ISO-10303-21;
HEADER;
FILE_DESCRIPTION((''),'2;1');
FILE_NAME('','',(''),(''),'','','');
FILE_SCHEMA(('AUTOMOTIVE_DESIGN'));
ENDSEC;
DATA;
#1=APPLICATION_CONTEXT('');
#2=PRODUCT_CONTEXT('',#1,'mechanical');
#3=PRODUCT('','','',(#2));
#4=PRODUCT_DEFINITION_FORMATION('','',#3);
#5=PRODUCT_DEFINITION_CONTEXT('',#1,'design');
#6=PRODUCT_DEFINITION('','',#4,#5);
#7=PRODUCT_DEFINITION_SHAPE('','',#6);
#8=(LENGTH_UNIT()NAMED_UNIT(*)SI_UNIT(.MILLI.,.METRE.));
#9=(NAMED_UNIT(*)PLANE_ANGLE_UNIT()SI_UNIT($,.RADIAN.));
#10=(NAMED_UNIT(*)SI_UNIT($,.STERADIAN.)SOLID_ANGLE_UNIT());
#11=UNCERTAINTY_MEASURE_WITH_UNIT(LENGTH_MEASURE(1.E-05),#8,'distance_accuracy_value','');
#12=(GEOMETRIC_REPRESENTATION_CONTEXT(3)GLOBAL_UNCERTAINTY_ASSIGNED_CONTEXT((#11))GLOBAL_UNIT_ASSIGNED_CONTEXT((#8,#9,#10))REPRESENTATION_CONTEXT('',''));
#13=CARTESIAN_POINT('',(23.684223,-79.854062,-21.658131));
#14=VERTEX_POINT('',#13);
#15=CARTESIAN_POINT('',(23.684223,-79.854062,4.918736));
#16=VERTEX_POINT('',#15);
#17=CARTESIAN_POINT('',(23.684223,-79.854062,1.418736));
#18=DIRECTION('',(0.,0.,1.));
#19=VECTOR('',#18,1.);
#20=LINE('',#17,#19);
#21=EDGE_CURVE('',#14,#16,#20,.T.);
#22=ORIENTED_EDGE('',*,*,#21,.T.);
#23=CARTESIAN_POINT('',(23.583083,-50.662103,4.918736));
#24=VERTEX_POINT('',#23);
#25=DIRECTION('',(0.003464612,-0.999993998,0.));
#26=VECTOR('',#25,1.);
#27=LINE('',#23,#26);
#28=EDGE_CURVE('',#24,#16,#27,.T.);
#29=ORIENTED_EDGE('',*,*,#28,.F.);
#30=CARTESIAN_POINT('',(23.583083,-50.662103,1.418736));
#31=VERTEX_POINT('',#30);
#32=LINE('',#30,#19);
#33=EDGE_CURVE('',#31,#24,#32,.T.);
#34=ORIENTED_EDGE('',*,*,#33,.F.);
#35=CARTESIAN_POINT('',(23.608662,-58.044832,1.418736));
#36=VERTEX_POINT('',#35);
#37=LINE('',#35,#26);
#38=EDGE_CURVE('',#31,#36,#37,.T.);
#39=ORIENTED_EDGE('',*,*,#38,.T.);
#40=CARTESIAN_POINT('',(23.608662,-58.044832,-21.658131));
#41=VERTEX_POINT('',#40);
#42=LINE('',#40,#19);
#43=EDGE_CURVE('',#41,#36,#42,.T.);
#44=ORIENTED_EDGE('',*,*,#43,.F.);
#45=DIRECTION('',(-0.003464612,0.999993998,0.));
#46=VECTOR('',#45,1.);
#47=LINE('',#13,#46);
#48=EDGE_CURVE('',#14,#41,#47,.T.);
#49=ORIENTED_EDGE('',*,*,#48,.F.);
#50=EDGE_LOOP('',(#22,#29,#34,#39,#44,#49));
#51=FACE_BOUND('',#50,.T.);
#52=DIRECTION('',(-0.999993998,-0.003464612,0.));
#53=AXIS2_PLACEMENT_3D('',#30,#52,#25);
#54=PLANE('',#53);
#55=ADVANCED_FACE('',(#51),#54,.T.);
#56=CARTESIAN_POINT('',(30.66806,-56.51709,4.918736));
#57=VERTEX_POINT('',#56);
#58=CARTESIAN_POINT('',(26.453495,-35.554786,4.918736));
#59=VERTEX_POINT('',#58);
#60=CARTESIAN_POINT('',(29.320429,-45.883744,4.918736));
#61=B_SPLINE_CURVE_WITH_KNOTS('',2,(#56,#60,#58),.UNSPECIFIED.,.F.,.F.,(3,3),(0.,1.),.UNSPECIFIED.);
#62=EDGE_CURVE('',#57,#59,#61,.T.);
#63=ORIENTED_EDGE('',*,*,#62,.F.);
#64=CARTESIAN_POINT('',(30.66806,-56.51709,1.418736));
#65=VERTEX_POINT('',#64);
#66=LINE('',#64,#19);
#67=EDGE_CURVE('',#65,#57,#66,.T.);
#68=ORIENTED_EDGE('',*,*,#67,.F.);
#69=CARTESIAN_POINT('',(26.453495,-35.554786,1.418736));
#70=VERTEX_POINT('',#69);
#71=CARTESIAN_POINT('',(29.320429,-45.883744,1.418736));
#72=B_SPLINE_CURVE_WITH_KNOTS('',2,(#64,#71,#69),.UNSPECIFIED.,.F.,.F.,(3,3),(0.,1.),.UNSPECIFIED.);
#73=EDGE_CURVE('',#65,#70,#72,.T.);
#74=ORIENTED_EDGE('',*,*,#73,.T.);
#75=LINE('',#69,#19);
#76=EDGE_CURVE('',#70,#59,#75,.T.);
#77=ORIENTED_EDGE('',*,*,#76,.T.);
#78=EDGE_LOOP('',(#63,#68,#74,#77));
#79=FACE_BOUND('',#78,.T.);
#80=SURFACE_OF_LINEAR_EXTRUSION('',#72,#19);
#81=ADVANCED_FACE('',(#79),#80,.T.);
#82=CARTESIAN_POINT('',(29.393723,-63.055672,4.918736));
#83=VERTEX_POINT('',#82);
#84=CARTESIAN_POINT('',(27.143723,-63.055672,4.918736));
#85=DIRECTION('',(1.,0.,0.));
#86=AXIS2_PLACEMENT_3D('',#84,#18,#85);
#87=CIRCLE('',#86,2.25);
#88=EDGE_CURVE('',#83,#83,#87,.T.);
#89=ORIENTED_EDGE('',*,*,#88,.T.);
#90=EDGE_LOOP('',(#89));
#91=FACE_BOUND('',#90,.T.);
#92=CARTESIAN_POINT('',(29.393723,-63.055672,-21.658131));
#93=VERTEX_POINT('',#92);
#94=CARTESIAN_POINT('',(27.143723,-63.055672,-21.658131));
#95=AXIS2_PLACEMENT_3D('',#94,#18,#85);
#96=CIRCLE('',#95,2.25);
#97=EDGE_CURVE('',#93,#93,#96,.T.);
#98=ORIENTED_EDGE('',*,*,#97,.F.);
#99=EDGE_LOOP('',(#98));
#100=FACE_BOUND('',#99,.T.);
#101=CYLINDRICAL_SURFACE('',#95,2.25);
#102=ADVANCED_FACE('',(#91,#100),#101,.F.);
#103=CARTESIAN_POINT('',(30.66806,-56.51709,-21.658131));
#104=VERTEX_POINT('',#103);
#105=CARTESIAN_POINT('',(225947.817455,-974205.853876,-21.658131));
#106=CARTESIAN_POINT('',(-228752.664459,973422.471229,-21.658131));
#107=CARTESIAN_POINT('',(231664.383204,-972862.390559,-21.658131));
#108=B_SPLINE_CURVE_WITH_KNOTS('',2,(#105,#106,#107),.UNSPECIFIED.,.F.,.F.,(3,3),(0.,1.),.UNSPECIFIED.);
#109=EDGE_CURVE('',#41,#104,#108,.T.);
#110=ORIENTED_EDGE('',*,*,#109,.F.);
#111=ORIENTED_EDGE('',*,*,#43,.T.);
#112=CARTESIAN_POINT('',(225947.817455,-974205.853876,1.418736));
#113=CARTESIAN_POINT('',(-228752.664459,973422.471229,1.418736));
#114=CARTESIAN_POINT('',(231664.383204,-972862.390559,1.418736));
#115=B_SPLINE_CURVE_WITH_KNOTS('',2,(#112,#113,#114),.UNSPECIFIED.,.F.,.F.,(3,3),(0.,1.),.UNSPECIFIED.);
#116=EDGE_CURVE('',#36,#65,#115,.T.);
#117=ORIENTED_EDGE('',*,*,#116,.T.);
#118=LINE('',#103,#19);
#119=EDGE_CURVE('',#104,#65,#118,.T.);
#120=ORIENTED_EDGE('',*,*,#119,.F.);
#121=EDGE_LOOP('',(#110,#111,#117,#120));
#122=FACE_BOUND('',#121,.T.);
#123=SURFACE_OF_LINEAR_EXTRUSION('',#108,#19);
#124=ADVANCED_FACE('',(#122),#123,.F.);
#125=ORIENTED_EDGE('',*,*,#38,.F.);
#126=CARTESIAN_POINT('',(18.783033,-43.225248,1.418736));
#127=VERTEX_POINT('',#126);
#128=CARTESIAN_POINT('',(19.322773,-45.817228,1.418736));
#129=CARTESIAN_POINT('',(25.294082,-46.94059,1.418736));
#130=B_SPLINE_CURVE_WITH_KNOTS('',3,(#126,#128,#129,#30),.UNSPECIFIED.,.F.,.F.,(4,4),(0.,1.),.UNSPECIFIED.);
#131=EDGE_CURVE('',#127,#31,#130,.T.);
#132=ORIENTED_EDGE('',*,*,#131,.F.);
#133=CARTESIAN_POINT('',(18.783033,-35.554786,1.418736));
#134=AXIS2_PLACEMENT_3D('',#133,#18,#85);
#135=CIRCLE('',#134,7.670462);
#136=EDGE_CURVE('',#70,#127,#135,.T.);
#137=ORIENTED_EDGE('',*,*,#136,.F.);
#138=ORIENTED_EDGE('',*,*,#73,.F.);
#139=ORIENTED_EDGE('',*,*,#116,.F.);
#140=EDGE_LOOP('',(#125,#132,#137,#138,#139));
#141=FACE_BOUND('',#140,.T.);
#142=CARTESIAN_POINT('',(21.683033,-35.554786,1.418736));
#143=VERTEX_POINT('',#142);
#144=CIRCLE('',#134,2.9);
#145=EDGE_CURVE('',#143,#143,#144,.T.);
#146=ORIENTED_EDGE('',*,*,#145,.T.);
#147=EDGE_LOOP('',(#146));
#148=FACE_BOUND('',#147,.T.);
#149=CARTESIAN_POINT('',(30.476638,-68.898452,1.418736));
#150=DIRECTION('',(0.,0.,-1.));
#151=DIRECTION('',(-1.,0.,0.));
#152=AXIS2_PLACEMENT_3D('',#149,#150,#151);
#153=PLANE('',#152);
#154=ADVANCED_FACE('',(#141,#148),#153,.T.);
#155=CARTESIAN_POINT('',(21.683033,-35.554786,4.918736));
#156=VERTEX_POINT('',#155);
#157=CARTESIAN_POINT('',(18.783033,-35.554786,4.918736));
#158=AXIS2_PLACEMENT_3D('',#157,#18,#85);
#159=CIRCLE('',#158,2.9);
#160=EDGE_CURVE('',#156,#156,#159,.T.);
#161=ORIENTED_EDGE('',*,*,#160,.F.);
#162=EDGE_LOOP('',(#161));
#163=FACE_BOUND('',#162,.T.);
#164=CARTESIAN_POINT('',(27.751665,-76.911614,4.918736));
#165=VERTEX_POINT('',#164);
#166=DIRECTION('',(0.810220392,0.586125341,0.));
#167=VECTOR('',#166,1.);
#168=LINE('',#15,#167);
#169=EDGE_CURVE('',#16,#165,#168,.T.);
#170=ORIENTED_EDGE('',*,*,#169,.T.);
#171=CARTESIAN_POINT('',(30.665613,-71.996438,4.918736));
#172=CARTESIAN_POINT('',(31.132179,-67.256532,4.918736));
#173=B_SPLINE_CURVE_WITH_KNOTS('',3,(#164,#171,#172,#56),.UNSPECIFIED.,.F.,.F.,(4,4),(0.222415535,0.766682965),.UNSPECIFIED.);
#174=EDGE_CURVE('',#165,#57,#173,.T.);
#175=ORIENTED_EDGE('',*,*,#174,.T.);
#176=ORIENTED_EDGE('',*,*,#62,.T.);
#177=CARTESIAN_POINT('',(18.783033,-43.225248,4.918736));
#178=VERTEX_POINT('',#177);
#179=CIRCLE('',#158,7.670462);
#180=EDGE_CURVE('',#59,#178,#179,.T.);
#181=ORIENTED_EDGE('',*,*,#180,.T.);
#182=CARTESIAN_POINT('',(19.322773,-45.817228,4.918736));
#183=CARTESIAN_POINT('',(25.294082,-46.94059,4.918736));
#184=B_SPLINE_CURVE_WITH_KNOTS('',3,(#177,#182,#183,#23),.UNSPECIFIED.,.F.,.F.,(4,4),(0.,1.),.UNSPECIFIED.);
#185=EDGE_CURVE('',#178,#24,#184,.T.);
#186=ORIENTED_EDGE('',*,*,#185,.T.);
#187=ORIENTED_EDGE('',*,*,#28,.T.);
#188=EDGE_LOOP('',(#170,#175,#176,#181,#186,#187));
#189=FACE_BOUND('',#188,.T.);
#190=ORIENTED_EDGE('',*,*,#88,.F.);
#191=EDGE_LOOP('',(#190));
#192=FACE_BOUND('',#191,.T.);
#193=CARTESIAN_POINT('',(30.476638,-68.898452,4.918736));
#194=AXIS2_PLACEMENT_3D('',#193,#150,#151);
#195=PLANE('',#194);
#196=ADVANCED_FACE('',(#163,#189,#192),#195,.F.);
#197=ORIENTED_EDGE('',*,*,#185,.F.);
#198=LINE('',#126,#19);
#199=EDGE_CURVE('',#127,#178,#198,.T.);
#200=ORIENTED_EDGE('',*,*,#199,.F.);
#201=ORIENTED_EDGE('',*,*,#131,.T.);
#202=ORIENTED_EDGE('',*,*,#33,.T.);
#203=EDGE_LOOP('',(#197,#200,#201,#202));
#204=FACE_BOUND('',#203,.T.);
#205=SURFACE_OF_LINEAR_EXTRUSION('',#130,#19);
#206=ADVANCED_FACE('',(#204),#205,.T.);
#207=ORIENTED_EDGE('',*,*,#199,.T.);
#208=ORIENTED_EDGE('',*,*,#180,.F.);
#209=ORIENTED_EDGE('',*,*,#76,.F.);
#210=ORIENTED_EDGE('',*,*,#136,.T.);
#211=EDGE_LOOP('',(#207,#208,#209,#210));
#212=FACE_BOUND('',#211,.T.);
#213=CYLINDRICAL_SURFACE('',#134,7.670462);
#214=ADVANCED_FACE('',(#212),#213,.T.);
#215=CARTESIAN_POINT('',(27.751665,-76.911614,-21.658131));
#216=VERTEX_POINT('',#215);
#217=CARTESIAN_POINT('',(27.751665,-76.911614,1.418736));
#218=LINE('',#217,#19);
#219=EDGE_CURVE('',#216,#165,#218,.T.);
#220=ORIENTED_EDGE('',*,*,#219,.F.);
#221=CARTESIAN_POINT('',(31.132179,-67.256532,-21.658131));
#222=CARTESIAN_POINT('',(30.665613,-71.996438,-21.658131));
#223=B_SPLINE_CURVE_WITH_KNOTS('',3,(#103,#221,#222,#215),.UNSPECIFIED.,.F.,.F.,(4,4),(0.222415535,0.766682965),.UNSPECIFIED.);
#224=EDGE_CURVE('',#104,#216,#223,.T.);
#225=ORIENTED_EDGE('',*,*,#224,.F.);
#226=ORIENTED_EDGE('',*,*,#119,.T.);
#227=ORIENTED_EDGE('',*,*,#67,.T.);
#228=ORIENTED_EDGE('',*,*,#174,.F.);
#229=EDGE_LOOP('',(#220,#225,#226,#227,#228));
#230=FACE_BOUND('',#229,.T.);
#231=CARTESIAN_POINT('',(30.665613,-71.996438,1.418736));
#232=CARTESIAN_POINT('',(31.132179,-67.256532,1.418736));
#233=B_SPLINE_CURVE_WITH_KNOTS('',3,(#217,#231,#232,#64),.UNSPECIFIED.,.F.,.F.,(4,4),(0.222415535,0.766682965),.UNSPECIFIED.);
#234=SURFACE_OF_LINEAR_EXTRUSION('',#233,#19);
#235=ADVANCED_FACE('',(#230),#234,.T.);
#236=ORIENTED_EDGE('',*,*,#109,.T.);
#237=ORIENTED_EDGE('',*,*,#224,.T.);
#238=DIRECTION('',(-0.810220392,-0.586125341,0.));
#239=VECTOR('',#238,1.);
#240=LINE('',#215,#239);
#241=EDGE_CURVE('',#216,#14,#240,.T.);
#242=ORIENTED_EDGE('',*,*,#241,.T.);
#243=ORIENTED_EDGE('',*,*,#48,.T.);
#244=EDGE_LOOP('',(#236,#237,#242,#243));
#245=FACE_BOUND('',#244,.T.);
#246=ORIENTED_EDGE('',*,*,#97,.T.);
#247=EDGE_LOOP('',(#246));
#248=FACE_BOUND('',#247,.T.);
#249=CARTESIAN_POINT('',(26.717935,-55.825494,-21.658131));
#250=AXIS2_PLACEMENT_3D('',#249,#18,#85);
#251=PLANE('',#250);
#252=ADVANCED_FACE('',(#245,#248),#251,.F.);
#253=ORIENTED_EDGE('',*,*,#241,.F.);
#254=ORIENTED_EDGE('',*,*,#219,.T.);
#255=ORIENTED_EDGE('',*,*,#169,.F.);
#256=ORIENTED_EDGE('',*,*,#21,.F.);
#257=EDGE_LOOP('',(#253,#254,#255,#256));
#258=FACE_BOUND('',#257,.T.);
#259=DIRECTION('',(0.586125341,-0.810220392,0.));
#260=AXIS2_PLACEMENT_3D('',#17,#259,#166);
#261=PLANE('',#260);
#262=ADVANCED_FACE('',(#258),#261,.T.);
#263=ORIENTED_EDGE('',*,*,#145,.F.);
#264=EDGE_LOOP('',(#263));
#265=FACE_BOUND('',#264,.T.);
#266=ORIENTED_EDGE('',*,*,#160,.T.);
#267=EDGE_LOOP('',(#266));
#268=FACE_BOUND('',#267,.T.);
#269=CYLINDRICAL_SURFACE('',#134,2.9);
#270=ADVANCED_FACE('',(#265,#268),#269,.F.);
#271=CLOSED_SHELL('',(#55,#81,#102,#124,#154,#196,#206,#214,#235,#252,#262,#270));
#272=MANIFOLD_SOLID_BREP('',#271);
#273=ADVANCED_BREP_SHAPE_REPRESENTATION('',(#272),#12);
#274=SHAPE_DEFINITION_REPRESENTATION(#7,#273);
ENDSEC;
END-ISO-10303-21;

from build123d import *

# Parameters (mm, degrees)
SKETCH1_R           = 2.9
BOSS_EXTRUDE1_DEPTH = 3.5
BOSS_EXTRUDE2_DEPTH = 23.076867
SKETCH3_R           = 2.25
CUT_EXTRUDE1_DEPTH  = 90.627435024


with BuildPart() as part:
    # Sketch1 → Boss-Extrude1 (new body)
    with BuildSketch(Plane.XY.offset(4.918735516)):
        with BuildLine():
            Line((23.684222564, -79.854061858), (27.751665024, -76.911614194))
            add(Edge.make_bspline(
                [(27.751665024, -76.911614194), (30.665612651, -71.996437575), (31.13217948, -67.256532156), (30.668059578, -56.517089881)],
                knots=[0.222415535, 0.222415535, 0.222415535, 0.222415535, 0.766682965, 0.766682965, 0.766682965, 0.766682965], degree=3))
            add(Edge.make_bspline(
                [(30.668059578, -56.517089881), (29.320428981, -45.88374403), (26.453494832, -35.554786486)],
                knots=[0, 0, 0, 1, 1, 1], degree=2))
            ThreePointArc((26.453494832, -35.554786486), (13.359197662, -30.130951008), (18.783033139, -43.225248178))
            add(Edge.make_bspline(
                [(18.783033139, -43.225248178), (19.322772584, -45.817228322), (25.294082339, -46.94058971), (23.583083134, -50.662102957)],
                knots=[0, 0, 0, 0, 1, 1, 1, 1], degree=3))
            Line((23.583083134, -50.662102957), (23.608661583, -58.04483203))
            Line((23.608661583, -58.04483203), (23.684222564, -79.854061858))
        make_face()
        with Locations((18.783033139, -35.554786486)):
            Circle(SKETCH1_R, mode=Mode.SUBTRACT)
    extrude(amount=-BOSS_EXTRUDE1_DEPTH)

    # Sketch2 → Boss-Extrude2 (add)
    with BuildSketch(Plane(origin=(0, 0, 1.418735516), x_dir=(-1, 0, 0), z_dir=(0, 0, -1))):
        with BuildLine():
            Line((-27.751665024, -76.911614194), (-23.684222564, -79.854061858))
            Line((-23.684222564, -79.854061858), (-23.608661583, -58.04483203))
            add(Edge.make_bspline(
                [(-23.608661583, -58.04483203), (-26.446360253, -54.336432943), (-30.668059578, -56.51708988)],
                knots=[0, 0, 0, 1, 1, 1], degree=2))
            add(Edge.make_bspline(
                [(-30.668059578, -56.51708988), (-31.132179479, -67.256532155), (-30.665612651, -71.996437575), (-27.751665024, -76.911614194)],
                knots=[0.222415535, 0.222415535, 0.222415535, 0.222415535, 0.766682965, 0.766682965, 0.766682965, 0.766682965], degree=3))
        make_face()
    extrude(amount=BOSS_EXTRUDE2_DEPTH)

    # Sketch3 → Cut-Extrude1 (cut, through all)
    with BuildSketch(Plane.XY.offset(4.918735516)):
        with Locations((27.143723241, -63.055671712)):
            Circle(SKETCH3_R)
    extrude(amount=-CUT_EXTRUDE1_DEPTH, mode=Mode.SUBTRACT)


solid = part.part
